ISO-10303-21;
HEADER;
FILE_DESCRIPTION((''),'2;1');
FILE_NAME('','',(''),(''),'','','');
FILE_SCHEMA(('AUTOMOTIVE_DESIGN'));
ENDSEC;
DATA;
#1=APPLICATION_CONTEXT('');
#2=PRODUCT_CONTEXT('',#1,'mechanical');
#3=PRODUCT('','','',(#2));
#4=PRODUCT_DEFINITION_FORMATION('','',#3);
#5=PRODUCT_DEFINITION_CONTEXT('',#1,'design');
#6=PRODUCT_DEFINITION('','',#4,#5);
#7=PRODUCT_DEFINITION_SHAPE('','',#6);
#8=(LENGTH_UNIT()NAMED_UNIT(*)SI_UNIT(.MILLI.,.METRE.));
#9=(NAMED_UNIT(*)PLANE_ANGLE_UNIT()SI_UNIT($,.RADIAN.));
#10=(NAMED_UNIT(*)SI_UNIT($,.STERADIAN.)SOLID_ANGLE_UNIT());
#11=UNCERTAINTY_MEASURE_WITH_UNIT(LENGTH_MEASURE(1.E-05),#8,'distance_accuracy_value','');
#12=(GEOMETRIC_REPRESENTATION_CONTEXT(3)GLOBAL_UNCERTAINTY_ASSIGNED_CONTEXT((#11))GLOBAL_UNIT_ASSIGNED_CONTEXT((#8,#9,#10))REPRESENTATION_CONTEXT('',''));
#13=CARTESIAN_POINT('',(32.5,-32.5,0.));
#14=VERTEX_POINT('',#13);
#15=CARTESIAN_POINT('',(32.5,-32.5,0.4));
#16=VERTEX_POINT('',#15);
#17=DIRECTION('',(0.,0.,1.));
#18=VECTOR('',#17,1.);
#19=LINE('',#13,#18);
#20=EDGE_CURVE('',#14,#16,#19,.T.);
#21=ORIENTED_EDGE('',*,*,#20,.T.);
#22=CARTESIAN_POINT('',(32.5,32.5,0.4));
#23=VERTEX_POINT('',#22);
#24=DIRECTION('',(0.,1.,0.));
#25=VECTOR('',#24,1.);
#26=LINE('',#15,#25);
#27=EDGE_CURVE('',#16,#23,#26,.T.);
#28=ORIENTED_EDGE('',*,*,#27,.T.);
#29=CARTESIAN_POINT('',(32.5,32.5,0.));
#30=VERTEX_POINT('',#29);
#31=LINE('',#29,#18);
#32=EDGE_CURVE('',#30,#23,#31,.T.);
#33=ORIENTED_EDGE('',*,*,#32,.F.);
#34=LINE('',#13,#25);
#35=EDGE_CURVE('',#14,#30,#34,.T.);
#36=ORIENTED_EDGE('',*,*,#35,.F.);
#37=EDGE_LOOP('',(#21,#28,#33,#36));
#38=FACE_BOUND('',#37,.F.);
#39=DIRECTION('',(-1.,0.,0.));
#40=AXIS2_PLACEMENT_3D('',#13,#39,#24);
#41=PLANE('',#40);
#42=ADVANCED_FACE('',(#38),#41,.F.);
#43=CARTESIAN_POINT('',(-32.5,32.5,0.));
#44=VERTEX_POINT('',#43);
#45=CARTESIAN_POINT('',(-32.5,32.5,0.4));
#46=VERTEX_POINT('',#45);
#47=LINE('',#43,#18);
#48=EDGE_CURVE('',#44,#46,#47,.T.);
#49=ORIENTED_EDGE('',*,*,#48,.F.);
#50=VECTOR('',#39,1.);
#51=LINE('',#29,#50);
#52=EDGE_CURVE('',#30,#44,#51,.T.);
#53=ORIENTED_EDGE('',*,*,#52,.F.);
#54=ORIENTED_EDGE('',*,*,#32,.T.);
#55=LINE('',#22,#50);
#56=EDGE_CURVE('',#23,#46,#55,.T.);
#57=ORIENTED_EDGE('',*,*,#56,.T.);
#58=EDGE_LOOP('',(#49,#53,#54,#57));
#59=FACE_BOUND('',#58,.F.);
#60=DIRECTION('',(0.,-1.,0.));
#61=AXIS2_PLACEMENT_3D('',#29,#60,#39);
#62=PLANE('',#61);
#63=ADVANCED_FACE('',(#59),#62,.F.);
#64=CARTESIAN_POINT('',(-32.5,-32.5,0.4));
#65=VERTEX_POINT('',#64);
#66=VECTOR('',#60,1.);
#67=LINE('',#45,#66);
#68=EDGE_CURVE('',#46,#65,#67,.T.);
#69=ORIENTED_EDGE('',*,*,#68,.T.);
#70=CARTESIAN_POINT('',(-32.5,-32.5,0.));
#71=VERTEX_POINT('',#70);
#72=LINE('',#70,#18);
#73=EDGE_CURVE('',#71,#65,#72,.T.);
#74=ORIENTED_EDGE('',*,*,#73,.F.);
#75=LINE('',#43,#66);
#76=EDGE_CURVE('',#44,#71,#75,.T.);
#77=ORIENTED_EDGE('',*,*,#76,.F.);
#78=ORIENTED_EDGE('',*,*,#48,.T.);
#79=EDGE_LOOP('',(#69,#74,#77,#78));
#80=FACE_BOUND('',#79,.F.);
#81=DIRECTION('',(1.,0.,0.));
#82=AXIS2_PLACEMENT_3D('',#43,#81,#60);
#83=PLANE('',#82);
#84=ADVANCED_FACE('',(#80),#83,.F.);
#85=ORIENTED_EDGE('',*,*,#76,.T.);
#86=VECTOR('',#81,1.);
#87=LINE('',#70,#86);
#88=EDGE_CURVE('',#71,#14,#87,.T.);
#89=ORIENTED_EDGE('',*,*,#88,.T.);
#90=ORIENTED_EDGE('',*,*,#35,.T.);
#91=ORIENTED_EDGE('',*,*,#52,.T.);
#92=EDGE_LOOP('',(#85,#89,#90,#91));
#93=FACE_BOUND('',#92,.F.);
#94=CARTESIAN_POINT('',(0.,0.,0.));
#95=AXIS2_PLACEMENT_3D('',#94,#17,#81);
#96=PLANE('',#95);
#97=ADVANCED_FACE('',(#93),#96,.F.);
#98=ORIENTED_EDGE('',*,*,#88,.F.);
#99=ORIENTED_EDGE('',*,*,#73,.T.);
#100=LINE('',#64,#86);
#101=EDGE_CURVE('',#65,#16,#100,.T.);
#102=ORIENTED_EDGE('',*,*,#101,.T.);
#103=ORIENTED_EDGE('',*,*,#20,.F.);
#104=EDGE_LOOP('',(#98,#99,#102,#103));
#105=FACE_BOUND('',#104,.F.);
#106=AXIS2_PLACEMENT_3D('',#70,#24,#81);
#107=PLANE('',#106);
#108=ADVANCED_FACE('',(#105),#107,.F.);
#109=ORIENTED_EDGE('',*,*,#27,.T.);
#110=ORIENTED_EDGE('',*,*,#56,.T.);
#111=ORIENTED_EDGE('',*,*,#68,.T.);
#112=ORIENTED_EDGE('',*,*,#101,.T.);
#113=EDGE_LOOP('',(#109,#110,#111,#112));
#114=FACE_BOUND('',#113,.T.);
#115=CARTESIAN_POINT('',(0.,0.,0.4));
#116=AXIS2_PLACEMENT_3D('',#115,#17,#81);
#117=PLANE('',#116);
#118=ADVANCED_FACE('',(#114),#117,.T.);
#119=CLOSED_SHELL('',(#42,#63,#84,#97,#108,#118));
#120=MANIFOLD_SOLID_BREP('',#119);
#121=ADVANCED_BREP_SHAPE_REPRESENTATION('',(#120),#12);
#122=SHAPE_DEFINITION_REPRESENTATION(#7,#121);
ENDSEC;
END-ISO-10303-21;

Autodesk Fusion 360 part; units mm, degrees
sketch "Sketch1" plane through (0, 0, 0) normal (0, 0, 1) x (1, 0, 0)
  line L0 (32.5, 32.5) -> (-32.5, 32.5)
  line L1 (-32.5, 32.5) -> (-32.5, -32.5)
  line L2 (-32.5, -32.5) -> (32.5, -32.5)
  line L3 (32.5, -32.5) -> (32.5, 32.5)
  line L4 (32.5, 32.5) -> (-32.5, -32.5) construction
  line L5 (-32.5, 32.5) -> (32.5, -32.5) construction
  dimension "d1" = 65
  dimension "d2" = 65
extrude "Extrude2" add sketch "Sketch1" along normal blind 0.4
extrude "Extrude1" [suppressed]
